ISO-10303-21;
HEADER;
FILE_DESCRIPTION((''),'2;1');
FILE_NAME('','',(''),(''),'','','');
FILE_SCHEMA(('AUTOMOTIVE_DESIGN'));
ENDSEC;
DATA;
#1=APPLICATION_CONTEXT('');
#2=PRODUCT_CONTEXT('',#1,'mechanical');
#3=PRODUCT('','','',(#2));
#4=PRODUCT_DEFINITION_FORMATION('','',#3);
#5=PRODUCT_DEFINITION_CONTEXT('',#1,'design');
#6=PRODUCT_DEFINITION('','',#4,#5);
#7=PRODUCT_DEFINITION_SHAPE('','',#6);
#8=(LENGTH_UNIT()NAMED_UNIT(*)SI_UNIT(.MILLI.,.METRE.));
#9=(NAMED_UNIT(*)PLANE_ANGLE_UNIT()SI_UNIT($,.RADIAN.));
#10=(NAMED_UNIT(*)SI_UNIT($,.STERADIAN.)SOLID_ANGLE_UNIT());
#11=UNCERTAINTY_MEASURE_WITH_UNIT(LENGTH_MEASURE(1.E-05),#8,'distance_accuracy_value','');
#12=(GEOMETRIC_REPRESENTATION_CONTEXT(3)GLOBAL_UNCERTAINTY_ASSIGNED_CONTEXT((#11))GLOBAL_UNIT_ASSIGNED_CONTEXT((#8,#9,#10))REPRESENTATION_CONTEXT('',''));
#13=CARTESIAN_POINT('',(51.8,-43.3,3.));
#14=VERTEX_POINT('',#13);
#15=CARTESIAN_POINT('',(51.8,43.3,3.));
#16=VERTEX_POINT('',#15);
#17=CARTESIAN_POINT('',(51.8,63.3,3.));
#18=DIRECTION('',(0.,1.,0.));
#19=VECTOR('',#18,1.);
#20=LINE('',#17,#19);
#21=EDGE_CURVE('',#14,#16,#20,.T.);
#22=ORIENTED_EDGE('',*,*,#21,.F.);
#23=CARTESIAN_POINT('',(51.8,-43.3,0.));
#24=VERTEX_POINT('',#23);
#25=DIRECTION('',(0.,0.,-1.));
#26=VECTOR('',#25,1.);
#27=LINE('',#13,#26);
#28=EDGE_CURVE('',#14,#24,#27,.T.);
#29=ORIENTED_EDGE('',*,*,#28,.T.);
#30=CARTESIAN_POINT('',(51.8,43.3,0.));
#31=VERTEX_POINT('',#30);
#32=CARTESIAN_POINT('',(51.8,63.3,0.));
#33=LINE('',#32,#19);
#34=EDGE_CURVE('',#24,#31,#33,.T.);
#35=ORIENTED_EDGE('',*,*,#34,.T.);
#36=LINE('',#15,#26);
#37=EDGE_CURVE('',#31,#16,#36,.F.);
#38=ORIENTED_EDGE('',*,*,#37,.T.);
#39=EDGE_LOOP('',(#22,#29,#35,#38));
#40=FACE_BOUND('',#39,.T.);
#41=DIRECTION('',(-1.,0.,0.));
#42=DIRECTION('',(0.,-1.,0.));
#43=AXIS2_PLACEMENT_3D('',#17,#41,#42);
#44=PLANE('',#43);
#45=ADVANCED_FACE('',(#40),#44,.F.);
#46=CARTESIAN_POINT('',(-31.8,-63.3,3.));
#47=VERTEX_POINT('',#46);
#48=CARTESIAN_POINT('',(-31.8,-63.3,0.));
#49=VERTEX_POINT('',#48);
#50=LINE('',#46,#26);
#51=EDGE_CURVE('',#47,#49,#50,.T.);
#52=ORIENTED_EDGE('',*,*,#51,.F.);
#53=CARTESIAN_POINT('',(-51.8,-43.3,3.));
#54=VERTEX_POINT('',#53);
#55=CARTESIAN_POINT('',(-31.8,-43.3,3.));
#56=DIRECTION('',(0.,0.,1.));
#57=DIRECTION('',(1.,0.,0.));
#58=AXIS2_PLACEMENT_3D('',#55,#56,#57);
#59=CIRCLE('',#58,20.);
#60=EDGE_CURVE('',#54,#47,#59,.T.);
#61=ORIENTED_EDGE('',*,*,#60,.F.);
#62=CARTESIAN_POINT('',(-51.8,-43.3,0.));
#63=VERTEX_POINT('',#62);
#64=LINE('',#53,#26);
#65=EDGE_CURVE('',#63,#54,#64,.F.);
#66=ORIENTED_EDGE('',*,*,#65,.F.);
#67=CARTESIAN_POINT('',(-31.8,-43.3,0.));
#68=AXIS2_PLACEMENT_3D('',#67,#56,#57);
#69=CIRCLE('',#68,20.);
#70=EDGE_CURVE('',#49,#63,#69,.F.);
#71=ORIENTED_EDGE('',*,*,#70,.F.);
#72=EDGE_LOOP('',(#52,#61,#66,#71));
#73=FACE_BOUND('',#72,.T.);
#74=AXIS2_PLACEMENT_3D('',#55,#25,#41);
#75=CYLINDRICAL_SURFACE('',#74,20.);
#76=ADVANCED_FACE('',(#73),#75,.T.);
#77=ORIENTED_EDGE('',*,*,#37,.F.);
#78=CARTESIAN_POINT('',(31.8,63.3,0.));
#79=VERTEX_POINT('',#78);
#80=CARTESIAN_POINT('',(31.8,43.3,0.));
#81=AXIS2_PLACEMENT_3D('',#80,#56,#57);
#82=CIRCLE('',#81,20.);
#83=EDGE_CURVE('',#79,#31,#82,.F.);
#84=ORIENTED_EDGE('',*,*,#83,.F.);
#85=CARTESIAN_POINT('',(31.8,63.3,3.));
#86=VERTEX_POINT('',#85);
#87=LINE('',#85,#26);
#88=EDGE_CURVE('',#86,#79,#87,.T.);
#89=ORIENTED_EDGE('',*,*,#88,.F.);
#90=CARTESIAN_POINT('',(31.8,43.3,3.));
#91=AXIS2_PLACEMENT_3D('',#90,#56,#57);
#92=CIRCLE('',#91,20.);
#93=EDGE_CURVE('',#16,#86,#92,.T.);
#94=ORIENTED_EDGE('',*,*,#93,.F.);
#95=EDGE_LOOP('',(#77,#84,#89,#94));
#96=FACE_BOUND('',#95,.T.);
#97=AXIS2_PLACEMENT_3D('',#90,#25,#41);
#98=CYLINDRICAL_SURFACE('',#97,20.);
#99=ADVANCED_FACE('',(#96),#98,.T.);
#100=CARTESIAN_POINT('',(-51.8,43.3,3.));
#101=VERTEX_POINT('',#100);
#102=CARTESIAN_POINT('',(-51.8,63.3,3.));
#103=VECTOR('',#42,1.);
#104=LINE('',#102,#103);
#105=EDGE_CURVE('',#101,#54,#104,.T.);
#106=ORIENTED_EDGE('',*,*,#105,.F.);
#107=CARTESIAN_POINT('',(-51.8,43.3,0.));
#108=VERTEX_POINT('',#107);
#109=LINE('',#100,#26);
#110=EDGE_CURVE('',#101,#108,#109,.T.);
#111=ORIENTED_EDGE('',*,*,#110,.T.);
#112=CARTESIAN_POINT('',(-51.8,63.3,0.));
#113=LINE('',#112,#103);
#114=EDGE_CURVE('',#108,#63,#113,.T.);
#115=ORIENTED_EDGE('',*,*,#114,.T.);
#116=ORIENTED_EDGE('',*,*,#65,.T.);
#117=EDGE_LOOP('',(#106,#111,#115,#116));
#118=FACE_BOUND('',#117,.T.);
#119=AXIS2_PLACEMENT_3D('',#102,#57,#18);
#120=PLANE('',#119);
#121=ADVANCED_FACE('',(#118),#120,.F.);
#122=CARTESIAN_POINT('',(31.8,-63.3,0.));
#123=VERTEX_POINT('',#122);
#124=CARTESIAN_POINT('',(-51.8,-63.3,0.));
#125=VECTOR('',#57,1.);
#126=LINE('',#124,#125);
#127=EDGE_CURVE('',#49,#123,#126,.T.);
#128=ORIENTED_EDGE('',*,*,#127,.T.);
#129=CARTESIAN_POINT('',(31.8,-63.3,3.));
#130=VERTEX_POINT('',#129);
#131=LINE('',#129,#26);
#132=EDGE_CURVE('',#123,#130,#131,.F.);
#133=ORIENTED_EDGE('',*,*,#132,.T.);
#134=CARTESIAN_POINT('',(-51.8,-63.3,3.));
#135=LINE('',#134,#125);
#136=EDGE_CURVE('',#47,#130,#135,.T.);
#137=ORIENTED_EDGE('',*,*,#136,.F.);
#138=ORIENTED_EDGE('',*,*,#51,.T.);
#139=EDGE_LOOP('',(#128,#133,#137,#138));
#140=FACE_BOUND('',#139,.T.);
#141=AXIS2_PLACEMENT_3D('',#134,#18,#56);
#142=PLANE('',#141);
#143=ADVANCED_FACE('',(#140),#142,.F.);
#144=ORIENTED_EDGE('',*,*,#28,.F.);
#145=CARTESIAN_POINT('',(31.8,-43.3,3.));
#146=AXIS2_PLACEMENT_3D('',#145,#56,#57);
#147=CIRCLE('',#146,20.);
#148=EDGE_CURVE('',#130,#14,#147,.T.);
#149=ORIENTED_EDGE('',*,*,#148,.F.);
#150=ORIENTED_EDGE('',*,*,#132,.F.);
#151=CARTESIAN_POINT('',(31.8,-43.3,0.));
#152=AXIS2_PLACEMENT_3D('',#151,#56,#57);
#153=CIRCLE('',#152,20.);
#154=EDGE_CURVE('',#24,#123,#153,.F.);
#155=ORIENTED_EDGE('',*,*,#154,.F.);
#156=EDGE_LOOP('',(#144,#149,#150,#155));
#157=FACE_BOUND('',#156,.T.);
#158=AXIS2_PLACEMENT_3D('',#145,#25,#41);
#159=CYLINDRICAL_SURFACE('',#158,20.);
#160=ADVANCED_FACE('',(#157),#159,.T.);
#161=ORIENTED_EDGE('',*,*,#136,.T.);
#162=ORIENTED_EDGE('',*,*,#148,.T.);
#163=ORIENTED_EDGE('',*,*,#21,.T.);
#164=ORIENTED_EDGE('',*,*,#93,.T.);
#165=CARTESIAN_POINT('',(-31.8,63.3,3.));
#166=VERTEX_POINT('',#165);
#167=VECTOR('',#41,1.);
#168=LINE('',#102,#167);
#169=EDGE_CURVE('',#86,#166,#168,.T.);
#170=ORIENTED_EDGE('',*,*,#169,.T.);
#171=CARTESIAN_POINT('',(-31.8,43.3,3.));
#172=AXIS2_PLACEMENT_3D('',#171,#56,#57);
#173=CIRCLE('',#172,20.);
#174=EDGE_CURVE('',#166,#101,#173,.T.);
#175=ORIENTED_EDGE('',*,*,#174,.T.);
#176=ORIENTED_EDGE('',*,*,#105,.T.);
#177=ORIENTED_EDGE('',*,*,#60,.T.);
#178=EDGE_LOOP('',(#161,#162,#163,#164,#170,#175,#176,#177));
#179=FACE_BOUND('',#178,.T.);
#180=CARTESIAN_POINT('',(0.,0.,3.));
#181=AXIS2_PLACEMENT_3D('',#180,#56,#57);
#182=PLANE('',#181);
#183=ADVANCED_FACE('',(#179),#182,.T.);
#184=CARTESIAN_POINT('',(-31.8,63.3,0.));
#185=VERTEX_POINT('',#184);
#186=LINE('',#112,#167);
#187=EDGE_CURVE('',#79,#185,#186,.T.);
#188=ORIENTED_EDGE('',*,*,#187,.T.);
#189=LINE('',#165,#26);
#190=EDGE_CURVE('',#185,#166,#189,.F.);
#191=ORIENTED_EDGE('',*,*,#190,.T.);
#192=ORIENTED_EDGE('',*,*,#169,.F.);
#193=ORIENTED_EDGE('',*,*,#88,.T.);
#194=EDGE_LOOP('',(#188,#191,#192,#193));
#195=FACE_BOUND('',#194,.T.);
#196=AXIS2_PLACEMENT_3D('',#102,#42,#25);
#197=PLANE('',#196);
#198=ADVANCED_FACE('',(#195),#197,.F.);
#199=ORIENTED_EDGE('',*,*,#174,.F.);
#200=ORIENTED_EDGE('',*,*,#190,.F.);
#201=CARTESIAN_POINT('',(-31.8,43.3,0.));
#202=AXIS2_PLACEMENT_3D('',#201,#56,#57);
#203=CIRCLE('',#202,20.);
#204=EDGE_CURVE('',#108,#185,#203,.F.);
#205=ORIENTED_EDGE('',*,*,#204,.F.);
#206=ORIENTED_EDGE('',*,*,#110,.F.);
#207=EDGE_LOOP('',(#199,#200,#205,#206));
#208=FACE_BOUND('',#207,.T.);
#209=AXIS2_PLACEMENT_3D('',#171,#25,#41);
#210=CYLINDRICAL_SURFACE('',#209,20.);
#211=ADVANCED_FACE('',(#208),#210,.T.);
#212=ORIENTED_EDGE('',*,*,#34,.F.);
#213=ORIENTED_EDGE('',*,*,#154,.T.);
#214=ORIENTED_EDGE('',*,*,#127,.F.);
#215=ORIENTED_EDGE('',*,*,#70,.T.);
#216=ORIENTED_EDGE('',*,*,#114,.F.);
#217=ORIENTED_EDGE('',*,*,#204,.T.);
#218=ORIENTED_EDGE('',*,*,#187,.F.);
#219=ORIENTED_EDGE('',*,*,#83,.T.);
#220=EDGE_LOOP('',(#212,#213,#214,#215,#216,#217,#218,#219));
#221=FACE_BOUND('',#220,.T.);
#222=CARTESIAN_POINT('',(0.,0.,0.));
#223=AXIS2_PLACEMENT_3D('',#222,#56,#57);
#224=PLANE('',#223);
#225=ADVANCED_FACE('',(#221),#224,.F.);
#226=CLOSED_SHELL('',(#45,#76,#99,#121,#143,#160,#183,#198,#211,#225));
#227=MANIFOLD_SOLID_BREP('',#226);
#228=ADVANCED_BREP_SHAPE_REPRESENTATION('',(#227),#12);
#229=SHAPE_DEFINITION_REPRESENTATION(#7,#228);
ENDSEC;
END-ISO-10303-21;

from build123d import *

# Parameters (mm, degrees)
SKETCH_1_W      = 103.6
SKETCH_1_H      = 126.6
EXTRUDE_1_DEPTH = 3
FILLET_1_R      = 20


with BuildPart() as part:
    # 草图1 → 凸台-拉伸1 (new body)
    with BuildSketch(Plane.XY):
        Rectangle(SKETCH_1_W, SKETCH_1_H)
    extrude(amount=EXTRUDE_1_DEPTH)

    # 圆角1
    fillet_1_edges = [part.edges().sort_by_distance(p)[0] for p in [
        (51.8, -63.3, 1.5),
        (-51.8, -63.3, 1.5),
        (-51.8, 63.3, 1.5),
        (51.8, 63.3, 1.5),
    ]]
    fillet(fillet_1_edges, radius=FILLET_1_R)


solid = part.part
